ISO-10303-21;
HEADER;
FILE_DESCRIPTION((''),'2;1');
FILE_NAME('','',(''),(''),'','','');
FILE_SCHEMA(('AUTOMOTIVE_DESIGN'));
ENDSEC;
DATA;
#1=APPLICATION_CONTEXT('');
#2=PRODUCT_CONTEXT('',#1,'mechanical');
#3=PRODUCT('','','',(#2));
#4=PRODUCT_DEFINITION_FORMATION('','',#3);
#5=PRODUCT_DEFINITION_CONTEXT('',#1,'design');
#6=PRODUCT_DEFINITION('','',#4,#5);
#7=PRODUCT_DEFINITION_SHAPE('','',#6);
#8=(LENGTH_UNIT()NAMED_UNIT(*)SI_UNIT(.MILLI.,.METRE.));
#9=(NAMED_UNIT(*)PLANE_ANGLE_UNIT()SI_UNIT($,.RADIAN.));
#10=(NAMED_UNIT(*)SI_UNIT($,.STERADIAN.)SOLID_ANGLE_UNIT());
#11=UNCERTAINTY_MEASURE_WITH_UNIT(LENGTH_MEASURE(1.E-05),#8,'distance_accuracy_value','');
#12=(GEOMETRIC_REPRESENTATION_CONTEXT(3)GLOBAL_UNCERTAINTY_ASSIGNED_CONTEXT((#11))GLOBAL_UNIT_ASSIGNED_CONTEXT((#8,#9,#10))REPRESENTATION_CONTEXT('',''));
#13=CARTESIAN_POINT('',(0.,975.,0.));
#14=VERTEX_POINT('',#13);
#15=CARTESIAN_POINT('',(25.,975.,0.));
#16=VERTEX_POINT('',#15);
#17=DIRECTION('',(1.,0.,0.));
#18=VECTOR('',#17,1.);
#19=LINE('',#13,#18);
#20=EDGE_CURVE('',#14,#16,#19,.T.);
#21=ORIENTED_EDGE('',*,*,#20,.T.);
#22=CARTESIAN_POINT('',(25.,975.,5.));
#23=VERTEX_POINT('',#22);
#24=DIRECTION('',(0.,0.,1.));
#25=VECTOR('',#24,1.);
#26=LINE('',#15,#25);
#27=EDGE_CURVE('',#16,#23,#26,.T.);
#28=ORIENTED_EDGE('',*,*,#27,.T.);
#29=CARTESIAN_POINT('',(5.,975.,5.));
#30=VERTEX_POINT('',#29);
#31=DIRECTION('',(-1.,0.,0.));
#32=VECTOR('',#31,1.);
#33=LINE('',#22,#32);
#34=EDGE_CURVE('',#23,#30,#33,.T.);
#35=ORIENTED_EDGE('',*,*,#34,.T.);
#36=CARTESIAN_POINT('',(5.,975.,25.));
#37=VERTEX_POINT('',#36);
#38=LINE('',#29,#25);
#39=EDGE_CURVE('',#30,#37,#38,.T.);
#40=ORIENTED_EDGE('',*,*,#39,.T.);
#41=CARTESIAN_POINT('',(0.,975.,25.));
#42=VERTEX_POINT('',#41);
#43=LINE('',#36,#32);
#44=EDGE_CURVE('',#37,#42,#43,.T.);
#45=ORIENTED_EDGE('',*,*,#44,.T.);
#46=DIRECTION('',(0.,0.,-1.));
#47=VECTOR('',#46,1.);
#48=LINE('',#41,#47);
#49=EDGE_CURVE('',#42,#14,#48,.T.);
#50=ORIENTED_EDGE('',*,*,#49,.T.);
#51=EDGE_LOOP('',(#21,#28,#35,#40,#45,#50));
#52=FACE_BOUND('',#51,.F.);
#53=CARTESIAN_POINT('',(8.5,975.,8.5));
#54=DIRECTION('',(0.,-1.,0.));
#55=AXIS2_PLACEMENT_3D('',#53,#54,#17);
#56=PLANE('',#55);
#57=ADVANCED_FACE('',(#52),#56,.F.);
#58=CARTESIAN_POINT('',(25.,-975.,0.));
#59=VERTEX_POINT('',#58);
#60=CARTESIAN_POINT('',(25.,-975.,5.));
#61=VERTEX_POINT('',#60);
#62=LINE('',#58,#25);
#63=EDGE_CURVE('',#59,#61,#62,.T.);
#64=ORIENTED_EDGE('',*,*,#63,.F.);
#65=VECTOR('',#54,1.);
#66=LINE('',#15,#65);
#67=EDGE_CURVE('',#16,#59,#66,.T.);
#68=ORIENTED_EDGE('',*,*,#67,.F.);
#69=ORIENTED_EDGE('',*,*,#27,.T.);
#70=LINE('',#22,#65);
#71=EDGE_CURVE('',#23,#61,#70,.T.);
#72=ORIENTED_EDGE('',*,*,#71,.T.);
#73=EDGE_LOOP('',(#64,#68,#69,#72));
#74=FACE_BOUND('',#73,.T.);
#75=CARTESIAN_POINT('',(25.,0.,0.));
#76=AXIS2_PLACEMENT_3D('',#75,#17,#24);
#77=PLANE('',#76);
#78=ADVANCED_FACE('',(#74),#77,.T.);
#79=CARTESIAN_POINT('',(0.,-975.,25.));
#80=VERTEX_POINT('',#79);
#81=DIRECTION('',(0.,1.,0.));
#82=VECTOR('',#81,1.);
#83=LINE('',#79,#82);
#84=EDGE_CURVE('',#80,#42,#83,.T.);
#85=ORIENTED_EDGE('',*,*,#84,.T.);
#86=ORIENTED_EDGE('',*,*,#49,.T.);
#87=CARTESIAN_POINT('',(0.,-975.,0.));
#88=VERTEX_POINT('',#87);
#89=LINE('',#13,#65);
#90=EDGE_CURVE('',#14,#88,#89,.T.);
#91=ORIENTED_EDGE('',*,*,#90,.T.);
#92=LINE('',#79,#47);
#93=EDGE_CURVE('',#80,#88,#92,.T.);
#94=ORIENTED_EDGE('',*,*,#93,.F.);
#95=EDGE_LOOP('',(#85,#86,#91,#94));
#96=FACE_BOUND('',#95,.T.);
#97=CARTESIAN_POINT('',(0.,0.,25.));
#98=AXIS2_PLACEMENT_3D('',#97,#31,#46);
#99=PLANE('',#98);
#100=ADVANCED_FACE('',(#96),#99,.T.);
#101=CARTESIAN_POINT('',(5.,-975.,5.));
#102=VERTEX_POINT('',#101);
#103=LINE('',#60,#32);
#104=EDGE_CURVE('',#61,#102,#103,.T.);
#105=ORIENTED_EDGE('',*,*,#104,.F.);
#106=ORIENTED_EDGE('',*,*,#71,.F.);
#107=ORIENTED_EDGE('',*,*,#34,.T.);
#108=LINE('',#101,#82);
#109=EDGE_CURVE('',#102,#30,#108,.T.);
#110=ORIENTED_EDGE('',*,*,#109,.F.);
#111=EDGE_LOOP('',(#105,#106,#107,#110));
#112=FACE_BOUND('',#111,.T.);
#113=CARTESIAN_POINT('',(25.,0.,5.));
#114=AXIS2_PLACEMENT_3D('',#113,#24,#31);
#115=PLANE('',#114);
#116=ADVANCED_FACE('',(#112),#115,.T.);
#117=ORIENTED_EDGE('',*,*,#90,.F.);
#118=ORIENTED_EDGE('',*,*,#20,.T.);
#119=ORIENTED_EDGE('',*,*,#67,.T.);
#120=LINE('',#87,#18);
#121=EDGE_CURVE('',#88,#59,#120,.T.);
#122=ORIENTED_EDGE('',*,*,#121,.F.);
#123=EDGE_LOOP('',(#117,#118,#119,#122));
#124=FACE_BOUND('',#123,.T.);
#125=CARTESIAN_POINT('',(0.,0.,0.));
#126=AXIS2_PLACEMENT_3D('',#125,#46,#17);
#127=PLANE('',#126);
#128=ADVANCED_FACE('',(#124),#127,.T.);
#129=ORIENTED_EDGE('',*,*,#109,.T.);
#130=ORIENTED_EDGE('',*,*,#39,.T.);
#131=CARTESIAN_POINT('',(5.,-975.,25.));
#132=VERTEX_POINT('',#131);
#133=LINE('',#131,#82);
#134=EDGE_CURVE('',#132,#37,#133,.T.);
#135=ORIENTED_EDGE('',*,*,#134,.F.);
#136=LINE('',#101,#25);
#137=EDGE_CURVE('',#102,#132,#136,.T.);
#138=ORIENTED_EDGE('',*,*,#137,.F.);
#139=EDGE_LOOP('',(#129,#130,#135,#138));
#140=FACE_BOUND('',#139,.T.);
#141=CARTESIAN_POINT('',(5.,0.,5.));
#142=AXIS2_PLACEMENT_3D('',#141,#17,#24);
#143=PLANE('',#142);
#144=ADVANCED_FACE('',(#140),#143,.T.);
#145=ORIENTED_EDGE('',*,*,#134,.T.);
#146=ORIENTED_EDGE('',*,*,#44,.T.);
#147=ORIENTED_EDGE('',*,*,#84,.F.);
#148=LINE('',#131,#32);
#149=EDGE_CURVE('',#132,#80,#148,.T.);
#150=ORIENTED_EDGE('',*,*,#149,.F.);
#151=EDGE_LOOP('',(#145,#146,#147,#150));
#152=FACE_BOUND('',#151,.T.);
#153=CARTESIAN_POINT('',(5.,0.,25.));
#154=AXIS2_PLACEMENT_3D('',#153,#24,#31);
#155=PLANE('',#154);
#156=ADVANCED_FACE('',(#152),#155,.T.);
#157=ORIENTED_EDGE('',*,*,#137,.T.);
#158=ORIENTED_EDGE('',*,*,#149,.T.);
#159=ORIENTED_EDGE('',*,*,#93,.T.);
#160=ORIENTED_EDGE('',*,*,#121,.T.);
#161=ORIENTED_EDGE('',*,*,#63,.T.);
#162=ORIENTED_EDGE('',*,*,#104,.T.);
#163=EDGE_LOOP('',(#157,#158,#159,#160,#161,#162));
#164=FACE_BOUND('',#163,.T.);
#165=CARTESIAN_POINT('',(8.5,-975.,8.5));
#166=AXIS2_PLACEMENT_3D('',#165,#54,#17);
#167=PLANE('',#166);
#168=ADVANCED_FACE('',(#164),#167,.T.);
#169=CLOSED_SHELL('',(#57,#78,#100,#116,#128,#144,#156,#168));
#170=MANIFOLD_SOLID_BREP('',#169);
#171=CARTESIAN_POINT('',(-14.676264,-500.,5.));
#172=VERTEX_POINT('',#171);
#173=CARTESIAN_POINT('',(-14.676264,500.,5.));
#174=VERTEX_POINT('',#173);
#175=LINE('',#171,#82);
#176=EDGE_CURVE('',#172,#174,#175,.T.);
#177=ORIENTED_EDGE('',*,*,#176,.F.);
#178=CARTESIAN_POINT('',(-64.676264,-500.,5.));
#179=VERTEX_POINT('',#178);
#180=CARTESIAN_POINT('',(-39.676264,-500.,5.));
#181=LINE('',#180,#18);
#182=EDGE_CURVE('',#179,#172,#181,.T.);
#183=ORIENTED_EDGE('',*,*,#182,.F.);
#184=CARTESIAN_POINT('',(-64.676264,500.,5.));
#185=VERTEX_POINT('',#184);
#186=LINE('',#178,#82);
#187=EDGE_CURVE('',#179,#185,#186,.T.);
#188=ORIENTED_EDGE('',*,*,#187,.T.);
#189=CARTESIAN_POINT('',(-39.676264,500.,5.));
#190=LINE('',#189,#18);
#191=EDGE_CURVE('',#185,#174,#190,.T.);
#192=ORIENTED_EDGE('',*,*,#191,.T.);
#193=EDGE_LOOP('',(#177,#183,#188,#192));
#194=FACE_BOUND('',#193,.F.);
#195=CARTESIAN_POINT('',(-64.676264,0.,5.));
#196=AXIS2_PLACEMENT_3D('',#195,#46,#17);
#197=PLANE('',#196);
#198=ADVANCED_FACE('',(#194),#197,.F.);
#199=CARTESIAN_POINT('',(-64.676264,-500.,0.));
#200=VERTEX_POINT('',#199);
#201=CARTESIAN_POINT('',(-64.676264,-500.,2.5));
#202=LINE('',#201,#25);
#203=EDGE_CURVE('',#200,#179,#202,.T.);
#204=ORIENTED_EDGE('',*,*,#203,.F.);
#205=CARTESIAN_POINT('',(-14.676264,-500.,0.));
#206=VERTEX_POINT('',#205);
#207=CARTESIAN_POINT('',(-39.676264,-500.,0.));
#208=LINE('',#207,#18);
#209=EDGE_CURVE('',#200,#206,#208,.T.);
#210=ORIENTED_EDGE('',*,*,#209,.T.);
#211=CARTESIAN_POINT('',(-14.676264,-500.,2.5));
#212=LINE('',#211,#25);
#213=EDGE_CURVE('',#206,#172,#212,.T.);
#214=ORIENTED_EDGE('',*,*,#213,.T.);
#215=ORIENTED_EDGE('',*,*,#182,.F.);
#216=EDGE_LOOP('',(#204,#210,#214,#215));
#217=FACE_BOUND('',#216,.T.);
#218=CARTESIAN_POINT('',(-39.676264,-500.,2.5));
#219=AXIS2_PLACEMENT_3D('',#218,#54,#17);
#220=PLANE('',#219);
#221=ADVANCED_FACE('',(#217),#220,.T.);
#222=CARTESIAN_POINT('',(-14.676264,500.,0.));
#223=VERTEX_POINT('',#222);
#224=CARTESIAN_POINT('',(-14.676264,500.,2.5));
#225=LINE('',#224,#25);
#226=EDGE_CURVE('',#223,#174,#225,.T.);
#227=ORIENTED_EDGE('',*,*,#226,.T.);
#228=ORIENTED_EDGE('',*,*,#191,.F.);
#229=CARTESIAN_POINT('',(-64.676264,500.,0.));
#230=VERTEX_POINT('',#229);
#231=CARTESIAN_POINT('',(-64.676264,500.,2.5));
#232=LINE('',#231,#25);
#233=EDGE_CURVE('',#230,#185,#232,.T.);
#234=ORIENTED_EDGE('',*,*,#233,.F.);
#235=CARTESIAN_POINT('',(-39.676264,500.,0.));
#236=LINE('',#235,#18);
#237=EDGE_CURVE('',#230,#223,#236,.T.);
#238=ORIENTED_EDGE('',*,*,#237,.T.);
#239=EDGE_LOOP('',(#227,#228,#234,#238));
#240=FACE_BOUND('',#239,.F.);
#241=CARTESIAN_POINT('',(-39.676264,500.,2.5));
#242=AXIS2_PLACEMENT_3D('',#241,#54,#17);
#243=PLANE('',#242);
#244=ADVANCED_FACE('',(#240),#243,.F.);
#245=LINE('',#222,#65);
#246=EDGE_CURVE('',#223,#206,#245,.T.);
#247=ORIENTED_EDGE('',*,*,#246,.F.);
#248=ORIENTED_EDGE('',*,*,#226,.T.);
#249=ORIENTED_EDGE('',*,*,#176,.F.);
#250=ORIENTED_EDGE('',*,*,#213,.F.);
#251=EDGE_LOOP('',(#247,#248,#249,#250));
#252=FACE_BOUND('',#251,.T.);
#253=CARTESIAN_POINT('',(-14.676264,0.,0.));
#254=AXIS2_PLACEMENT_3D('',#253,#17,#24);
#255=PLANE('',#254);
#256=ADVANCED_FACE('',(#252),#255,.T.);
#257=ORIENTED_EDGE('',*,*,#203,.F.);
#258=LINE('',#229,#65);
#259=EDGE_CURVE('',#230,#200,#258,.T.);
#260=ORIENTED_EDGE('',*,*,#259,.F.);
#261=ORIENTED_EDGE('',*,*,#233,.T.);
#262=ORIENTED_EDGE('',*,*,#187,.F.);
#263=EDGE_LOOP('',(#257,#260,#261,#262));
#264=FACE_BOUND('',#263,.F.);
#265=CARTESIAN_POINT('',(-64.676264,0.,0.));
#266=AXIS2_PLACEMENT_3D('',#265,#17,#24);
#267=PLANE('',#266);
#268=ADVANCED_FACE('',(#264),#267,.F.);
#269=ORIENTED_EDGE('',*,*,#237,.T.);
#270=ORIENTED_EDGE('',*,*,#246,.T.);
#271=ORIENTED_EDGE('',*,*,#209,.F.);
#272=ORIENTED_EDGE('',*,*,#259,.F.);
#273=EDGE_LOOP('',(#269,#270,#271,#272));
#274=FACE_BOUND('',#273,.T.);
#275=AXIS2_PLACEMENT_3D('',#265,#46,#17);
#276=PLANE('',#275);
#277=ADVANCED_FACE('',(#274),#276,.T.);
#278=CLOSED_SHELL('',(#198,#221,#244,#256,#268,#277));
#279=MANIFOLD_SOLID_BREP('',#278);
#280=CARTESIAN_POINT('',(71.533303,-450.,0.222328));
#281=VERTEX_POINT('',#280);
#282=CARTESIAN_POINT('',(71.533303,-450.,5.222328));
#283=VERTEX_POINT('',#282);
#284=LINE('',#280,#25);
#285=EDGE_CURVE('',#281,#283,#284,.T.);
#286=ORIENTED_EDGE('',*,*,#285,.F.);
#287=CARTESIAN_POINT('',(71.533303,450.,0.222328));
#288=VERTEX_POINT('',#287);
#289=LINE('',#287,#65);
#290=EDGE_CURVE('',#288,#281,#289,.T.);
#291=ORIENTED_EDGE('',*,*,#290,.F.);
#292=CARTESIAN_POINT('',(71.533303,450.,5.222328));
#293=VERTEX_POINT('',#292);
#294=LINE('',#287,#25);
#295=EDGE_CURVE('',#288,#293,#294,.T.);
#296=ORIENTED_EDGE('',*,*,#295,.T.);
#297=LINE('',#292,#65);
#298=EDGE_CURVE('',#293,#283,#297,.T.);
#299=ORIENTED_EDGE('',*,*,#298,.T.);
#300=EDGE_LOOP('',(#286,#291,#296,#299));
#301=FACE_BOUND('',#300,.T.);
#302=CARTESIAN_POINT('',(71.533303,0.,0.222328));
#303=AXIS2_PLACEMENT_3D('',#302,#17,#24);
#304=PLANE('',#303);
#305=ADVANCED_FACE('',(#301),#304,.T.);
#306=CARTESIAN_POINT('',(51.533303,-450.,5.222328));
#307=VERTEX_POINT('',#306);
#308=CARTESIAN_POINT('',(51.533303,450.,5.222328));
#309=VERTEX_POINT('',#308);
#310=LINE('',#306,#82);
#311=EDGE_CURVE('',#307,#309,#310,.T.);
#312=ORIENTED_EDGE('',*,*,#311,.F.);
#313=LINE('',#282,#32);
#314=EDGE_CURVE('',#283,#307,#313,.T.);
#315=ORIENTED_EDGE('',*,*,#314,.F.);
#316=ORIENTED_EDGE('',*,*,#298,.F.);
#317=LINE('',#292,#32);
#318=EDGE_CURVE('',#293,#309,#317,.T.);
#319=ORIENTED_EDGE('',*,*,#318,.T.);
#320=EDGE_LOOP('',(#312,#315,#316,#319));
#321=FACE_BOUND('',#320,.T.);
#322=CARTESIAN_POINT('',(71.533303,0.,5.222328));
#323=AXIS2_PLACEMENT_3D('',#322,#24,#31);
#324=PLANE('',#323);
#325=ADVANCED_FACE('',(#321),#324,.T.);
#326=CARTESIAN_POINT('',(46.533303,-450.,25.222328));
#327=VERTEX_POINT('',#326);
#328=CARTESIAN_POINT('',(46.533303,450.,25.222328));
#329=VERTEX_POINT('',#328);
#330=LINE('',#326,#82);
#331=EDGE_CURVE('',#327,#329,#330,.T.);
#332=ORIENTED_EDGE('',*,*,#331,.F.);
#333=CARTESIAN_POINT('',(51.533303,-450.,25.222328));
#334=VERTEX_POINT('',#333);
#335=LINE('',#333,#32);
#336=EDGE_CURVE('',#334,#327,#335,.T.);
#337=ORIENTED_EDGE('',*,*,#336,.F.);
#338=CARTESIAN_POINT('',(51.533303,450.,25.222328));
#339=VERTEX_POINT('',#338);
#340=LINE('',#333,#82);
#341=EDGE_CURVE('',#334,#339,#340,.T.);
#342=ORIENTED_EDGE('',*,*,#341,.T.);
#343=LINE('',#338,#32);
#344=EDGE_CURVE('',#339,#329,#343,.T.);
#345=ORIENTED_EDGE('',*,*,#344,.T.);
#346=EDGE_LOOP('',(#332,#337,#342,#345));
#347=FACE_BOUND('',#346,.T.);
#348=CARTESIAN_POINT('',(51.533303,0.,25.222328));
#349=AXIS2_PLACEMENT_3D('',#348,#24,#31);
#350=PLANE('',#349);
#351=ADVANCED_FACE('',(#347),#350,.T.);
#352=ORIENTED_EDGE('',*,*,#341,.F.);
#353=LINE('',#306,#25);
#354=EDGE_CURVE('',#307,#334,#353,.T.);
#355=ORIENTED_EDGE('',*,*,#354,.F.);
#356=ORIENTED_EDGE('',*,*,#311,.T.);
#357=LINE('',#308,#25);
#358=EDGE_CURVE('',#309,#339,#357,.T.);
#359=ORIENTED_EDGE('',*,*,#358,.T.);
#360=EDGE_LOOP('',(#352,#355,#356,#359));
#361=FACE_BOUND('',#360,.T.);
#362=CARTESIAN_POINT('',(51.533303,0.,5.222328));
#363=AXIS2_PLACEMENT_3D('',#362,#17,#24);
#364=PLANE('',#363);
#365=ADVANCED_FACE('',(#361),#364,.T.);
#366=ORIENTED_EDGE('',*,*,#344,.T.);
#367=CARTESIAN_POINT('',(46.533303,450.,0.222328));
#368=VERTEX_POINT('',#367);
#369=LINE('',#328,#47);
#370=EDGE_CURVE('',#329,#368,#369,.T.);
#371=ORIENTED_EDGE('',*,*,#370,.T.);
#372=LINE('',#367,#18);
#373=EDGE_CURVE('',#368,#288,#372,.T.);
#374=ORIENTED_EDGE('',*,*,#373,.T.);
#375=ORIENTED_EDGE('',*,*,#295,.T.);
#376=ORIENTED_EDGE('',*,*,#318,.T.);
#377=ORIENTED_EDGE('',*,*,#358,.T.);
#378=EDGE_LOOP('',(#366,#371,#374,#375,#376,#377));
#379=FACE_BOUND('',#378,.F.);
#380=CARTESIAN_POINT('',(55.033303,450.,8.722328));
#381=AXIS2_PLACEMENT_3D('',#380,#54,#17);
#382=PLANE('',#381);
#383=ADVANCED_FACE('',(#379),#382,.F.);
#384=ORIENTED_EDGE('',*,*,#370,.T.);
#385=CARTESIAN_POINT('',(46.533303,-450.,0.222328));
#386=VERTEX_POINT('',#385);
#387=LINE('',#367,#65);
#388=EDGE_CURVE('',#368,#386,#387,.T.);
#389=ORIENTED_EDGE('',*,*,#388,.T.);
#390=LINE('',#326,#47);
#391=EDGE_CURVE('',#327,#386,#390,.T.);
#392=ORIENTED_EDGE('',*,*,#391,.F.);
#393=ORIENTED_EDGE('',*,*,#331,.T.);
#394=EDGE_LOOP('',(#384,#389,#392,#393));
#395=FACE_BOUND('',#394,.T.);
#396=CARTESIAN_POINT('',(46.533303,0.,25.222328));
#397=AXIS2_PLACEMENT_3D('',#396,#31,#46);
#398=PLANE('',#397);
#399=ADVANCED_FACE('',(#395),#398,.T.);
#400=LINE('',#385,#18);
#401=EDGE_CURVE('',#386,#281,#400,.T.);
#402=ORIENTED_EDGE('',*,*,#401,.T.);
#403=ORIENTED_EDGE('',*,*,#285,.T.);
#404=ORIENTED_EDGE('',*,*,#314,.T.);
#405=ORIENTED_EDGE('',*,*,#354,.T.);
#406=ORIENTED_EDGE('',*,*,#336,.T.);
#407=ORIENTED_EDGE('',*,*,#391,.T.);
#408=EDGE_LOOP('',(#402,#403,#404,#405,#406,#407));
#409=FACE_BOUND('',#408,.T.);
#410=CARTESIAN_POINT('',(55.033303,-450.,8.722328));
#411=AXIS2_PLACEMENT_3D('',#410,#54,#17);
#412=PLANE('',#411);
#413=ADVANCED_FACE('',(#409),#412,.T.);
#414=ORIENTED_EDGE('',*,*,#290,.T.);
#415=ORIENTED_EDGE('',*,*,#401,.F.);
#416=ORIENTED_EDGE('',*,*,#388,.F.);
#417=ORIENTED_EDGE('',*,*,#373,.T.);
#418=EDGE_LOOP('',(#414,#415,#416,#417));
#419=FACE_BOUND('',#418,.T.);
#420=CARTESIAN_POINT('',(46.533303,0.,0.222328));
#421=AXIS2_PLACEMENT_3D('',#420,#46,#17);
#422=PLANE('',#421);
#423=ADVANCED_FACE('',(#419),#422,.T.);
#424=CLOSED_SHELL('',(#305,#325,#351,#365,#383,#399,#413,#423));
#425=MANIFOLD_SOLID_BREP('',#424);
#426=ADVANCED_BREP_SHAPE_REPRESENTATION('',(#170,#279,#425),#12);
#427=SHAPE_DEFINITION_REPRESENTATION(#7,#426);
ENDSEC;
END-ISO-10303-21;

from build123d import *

# Parameters (mm, degrees)
F1_DEPTH = 975
F3_DEPTH = 450
F4_W     = 50
F4_H     = 5
F5_DEPTH = 500


with BuildPart() as f1:
    # F0 (on Front) → F1 (new body, symmetric)
    with BuildSketch(Plane.XZ):
        Polygon((0, 25), (0, 0), (25, 0), (25, 5), (5, 5), (5, 25), align=None)
    extrude(amount=F1_DEPTH, both=True)


with BuildPart() as f3:
    # F2 (on Front) → F3 (new body, symmetric)
    with BuildSketch(Plane.XZ):
        Polygon((46.533303, 25.222328), (46.533303, 0.222328), (71.533303, 0.222328), (71.533303, 5.222328), (51.533303, 5.222328), (51.533303, 25.222328), align=None)
    extrude(amount=F3_DEPTH, both=True)


with BuildPart() as f5:
    # F4 (on Front) → F5 (new body, symmetric)
    with BuildSketch(Plane.XZ):
        with Locations((-39.676264, 2.5)):
            Rectangle(F4_W, F4_H)
    extrude(amount=F5_DEPTH, both=True)


solid = Compound([f1.part, f3.part, f5.part])
